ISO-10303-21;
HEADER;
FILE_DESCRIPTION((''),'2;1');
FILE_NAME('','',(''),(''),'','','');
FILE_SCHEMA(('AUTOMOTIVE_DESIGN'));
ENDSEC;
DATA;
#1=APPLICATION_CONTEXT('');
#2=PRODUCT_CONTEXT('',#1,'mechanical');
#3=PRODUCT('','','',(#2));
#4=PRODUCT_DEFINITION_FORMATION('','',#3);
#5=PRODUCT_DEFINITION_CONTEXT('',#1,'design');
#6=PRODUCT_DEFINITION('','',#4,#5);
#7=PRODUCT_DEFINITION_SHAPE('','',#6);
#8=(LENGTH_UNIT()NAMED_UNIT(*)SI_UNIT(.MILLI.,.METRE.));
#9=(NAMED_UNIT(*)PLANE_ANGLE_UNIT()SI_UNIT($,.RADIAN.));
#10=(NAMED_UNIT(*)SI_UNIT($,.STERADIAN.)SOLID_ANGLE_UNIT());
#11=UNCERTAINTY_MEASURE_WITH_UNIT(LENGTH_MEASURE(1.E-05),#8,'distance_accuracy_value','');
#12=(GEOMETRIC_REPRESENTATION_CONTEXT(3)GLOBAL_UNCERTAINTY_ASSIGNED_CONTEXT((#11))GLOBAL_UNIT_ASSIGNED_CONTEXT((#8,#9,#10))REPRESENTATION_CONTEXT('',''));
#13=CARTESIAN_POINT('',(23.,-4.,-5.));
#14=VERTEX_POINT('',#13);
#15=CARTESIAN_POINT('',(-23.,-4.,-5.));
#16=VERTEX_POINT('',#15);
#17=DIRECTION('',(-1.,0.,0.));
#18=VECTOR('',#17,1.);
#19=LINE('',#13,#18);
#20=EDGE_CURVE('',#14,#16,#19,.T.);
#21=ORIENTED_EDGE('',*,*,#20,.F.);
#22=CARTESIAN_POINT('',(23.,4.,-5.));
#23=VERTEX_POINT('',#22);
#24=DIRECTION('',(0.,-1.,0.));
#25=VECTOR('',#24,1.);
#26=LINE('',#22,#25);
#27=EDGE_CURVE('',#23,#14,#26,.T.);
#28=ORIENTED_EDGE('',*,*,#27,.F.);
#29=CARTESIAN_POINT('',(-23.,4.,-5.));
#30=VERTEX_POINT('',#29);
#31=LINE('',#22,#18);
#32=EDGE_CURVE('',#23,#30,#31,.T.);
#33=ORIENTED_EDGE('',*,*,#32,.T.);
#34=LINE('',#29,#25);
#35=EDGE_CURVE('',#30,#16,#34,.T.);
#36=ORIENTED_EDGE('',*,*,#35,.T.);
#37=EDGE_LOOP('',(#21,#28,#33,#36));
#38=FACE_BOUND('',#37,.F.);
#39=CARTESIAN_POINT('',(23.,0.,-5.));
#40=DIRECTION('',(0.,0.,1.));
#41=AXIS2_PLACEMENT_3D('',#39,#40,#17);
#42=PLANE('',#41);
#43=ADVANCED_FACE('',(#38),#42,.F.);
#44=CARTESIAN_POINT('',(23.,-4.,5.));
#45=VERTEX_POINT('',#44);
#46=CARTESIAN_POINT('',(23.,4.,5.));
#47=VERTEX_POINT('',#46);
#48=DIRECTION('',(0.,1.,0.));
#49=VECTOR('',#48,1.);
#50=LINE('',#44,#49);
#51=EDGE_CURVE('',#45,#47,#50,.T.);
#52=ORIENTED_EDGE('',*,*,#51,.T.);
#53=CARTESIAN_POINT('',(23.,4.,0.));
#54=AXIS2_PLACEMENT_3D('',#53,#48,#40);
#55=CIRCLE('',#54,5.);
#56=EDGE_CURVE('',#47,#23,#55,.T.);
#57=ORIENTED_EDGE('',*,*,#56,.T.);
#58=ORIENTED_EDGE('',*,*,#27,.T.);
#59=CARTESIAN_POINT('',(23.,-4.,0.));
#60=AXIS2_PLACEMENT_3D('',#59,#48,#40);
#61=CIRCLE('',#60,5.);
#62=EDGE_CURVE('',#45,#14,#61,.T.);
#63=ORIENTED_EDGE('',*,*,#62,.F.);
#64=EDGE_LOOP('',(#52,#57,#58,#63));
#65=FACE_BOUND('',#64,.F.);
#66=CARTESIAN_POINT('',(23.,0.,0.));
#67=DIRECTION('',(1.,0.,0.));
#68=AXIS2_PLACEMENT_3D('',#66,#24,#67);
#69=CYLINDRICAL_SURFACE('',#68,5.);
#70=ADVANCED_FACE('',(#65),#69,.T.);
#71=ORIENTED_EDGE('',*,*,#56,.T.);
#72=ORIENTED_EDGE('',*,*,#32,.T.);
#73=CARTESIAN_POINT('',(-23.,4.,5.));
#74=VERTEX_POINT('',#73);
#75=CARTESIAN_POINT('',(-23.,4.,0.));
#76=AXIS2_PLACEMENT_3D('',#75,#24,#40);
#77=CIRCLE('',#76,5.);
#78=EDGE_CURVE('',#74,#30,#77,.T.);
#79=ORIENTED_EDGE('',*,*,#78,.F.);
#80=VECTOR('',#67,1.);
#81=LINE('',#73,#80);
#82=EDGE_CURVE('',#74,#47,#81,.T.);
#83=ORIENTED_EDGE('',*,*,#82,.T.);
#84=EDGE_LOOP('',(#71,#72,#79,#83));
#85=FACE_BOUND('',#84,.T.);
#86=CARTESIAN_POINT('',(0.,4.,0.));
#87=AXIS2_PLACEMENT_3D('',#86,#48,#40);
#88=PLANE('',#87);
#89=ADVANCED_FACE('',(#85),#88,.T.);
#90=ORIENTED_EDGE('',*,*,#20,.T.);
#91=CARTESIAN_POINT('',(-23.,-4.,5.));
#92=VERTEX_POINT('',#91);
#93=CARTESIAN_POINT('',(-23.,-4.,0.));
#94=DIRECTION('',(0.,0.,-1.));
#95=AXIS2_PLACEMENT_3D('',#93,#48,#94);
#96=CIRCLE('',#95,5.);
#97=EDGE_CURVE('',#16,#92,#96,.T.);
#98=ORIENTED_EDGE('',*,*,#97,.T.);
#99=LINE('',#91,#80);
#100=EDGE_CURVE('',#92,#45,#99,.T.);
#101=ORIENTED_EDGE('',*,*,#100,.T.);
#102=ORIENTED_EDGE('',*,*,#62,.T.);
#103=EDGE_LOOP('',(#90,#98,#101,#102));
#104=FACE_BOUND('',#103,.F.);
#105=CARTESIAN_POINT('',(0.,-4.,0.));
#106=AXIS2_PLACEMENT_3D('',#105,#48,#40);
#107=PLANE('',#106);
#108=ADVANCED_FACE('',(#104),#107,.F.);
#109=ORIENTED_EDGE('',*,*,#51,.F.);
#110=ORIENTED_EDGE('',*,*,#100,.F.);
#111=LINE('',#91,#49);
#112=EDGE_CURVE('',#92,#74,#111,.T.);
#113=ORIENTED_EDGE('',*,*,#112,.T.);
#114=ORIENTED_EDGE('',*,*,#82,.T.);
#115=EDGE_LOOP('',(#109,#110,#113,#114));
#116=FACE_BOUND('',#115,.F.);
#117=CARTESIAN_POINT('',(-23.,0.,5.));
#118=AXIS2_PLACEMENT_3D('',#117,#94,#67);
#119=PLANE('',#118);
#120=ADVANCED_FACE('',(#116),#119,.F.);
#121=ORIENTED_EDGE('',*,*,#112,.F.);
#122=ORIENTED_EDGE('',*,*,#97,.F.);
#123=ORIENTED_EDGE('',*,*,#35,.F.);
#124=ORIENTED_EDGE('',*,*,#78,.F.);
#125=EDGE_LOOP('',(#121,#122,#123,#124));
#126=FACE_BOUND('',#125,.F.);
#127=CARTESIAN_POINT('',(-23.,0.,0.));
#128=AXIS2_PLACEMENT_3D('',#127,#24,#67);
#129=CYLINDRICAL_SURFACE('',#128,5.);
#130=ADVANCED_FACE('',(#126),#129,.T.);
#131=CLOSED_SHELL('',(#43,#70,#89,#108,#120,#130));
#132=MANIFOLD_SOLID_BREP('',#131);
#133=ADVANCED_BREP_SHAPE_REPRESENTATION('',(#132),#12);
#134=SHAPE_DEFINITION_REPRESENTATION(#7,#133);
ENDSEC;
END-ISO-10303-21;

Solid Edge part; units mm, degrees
sketch "Sketch1" plane through (0, 0, 0) normal (0, -1, 0) x (1, 0, 0)
  arc A0 (-28, 0) -> (-23, 5) centre (-23, 0) cw
  line L0 (-23, 5) -> (23, 5)
  arc A1 (23, 5) -> (28, 0) centre (23, 0) cw
  arc A2 (28, 0) -> (23, -5) centre (23, 0) cw
  line L1 (23, -5) -> (-23, -5)
  arc A3 (-23, -5) -> (-28, 0) centre (-23, 0) cw
extrude "ExtrudedProtrusion_1" add sketch "Sketch1" against normal blind 4 and the other way blind 4
properties part number "03288-10X56"
